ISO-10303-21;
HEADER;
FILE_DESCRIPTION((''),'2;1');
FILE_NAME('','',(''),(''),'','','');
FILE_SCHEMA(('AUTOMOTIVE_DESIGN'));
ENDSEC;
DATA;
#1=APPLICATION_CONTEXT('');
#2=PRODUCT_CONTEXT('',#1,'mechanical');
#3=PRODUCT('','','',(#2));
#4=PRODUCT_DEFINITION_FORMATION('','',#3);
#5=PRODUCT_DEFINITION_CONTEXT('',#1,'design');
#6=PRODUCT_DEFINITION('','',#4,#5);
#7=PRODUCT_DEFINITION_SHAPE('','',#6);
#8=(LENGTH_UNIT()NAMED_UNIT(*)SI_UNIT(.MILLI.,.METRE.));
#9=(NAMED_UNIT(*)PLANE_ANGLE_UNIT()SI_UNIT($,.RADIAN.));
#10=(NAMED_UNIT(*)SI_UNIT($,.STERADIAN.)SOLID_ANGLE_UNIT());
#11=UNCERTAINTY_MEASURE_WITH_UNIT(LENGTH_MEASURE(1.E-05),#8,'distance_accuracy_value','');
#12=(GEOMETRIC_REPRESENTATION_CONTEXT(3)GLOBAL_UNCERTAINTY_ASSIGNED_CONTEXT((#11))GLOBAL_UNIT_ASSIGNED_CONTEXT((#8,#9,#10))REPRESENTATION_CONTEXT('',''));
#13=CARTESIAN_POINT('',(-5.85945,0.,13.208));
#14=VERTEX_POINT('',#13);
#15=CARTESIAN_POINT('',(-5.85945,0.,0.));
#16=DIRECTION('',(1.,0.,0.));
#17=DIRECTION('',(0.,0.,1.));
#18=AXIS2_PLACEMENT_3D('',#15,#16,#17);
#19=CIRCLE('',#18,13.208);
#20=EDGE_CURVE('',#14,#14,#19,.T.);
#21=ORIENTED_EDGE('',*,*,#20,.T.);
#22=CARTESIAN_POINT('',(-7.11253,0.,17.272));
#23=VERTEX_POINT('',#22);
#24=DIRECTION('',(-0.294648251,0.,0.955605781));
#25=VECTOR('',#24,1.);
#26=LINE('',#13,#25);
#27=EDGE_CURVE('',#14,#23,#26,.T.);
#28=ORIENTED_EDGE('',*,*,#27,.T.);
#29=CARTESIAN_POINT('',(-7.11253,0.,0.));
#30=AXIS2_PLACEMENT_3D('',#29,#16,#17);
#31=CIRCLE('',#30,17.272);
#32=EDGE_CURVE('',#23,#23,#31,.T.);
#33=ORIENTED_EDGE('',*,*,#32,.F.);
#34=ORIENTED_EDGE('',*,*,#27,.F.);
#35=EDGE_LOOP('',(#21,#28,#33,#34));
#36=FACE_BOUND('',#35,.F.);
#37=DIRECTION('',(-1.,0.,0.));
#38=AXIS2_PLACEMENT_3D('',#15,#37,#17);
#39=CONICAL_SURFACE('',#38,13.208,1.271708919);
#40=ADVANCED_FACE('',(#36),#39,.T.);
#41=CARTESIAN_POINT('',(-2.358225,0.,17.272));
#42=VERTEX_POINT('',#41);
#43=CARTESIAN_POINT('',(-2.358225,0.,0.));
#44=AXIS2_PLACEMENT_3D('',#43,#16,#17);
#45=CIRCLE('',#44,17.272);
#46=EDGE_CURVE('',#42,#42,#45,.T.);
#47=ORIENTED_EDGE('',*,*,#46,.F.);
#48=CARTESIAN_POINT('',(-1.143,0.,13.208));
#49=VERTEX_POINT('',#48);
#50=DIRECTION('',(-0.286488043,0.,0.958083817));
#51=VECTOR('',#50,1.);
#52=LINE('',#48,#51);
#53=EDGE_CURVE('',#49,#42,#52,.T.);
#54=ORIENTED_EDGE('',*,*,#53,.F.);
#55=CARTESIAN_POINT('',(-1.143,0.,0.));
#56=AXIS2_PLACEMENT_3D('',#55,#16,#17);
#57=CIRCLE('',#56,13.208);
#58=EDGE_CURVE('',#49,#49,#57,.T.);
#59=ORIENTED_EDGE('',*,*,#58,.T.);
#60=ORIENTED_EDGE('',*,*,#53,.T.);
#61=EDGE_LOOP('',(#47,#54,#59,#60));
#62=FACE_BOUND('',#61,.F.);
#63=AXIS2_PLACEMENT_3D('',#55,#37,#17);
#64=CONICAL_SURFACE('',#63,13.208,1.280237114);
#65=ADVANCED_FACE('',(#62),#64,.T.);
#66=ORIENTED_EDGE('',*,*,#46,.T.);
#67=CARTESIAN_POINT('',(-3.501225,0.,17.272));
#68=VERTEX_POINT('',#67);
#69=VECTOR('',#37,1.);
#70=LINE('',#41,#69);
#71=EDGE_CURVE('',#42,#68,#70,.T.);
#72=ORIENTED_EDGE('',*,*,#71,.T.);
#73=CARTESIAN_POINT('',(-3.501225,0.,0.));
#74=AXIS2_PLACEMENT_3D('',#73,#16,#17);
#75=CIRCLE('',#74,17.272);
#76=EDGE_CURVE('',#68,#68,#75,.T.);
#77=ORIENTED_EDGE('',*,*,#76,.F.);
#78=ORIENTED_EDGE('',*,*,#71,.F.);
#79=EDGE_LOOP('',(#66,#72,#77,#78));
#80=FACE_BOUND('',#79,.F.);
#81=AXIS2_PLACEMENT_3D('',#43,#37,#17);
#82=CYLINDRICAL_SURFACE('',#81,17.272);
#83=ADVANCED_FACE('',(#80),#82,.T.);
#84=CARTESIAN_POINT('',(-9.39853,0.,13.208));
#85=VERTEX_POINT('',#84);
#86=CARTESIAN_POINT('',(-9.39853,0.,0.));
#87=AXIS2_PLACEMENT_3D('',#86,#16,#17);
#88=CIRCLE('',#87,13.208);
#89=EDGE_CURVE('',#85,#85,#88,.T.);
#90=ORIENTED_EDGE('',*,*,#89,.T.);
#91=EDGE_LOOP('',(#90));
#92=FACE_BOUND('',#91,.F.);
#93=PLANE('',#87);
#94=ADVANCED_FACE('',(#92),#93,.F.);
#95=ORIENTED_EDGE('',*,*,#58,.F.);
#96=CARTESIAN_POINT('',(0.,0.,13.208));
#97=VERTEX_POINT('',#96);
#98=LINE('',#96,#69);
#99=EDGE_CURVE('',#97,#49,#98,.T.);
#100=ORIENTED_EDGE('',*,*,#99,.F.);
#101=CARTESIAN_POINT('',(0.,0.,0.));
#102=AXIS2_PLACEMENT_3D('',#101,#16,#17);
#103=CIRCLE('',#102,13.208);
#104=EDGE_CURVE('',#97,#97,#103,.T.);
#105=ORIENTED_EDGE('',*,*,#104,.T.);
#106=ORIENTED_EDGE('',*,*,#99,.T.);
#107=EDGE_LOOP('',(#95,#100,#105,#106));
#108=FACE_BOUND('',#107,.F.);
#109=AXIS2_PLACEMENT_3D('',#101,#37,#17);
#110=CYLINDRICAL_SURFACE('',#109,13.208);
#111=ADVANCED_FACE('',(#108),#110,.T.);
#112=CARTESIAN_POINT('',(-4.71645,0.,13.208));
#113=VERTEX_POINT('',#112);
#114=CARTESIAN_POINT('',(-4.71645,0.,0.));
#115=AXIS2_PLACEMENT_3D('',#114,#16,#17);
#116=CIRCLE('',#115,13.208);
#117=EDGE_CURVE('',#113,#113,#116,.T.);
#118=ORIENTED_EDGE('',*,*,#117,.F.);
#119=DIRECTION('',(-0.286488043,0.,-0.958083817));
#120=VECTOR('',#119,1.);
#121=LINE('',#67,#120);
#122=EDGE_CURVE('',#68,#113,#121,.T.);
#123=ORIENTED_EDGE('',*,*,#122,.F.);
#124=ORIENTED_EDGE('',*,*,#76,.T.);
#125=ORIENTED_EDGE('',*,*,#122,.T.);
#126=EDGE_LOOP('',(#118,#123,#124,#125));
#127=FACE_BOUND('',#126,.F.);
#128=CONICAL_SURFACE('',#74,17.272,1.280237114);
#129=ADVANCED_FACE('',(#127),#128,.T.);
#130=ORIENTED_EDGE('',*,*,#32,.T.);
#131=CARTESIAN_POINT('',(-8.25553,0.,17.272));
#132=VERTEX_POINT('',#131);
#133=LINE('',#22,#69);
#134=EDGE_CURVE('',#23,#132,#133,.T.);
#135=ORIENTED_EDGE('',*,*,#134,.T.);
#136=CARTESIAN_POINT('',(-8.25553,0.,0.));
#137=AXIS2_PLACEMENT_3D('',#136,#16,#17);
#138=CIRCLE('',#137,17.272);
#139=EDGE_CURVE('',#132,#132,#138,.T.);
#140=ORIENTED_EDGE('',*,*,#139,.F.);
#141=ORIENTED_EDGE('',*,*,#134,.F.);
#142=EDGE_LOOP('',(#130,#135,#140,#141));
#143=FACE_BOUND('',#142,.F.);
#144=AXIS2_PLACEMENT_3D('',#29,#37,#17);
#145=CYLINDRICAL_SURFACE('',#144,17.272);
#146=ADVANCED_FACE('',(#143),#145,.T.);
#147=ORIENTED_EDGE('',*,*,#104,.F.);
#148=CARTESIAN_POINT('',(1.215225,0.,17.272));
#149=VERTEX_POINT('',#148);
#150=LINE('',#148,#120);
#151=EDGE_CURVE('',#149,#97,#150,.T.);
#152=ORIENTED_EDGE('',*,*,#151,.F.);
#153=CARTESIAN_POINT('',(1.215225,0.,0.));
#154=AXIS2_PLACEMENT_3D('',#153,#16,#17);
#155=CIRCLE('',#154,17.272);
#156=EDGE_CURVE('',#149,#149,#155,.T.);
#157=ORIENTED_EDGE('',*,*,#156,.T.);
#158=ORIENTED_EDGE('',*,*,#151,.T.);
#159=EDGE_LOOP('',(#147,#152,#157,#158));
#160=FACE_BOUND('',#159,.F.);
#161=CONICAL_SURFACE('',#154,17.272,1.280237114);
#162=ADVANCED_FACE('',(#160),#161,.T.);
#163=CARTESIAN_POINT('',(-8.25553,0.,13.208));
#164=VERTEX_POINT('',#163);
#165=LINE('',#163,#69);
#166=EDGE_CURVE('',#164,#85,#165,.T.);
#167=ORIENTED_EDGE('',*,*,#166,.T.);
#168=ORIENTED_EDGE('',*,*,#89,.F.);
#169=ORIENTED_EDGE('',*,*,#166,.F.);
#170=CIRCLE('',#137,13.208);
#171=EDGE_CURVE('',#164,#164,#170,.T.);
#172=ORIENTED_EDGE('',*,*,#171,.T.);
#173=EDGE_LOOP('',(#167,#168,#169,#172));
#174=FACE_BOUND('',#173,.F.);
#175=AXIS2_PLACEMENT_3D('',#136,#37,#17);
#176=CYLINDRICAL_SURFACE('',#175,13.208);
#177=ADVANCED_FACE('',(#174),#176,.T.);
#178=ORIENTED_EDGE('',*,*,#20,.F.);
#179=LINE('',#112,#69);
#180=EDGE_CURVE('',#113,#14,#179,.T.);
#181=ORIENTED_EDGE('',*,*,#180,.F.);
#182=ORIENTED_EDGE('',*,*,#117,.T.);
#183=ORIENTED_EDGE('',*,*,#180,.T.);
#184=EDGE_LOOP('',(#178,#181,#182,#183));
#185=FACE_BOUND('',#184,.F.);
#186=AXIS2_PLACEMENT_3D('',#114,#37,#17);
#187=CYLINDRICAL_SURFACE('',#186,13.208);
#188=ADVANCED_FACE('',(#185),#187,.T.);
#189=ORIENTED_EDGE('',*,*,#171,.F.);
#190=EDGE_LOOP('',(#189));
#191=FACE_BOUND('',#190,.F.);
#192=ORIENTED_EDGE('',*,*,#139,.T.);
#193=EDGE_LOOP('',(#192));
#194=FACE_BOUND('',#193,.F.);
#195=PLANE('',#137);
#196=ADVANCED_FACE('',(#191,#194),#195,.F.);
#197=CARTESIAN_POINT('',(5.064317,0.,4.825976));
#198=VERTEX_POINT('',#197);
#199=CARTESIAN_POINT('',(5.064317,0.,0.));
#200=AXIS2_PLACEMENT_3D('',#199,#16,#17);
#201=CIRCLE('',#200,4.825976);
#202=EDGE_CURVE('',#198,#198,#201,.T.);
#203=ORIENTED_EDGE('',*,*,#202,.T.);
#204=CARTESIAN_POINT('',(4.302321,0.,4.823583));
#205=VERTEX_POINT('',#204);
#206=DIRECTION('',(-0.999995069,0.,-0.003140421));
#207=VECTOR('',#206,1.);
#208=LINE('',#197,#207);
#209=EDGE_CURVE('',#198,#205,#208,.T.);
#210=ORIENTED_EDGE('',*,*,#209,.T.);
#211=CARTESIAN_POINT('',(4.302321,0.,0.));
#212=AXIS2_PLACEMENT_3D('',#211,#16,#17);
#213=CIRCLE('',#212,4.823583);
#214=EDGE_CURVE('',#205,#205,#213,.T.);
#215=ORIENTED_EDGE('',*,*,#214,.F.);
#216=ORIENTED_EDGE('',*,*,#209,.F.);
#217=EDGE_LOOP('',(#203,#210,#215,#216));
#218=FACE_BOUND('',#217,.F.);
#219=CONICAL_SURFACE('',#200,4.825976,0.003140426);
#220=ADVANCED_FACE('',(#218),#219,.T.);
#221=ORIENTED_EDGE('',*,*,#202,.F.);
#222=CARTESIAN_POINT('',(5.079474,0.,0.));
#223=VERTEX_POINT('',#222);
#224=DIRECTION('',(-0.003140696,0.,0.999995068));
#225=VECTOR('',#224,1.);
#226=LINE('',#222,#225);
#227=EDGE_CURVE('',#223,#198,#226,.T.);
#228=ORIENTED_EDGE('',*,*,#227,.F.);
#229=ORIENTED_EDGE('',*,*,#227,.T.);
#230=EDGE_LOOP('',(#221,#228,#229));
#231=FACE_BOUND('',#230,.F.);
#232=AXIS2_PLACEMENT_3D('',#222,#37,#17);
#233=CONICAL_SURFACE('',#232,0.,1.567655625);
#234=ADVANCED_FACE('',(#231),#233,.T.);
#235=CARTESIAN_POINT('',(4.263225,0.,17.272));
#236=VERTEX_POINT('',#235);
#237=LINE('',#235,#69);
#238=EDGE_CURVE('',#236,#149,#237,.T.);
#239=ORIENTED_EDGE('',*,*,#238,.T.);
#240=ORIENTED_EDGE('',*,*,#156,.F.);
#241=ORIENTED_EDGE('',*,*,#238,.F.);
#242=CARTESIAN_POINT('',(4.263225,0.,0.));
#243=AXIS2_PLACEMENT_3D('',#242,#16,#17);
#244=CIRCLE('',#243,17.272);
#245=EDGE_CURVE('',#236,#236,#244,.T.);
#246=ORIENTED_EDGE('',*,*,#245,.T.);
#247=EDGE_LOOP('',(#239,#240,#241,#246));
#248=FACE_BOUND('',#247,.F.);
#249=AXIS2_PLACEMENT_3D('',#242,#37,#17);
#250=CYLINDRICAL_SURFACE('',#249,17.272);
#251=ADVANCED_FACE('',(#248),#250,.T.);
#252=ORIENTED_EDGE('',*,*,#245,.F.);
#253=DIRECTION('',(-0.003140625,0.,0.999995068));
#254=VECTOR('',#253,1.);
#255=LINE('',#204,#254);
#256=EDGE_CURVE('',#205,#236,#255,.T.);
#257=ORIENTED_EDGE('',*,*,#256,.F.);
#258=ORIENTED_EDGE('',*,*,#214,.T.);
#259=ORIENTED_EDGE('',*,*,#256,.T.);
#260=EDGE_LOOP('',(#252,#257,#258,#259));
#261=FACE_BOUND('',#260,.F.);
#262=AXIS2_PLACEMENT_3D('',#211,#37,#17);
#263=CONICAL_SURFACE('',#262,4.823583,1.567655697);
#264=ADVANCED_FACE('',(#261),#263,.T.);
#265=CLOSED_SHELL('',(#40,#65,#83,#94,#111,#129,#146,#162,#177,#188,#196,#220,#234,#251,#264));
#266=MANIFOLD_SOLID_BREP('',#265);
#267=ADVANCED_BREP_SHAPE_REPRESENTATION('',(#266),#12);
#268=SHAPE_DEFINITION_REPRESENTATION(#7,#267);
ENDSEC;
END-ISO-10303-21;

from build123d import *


with BuildPart() as f1:
    # F0 (on Front) → F1 (revolve)
    with BuildSketch(Plane.XZ):
        Polygon((-9.39853, 13.208), (-9.39853, 0), (5.079474, 0), (5.064317, 4.825976), (4.302321, 4.823583), (4.263225, 17.272), (1.215225, 17.272), (0, 13.208), (-1.143, 13.208), (-2.358225, 17.272), (-3.501225, 17.272), (-4.71645, 13.208), (-5.85945, 13.208), (-7.11253, 17.272), (-8.25553, 17.272), (-8.25553, 13.208), align=None)
    revolve(axis=Axis((-2.159528, 0, 0), (1, 0, 0)))


solid = f1.part
